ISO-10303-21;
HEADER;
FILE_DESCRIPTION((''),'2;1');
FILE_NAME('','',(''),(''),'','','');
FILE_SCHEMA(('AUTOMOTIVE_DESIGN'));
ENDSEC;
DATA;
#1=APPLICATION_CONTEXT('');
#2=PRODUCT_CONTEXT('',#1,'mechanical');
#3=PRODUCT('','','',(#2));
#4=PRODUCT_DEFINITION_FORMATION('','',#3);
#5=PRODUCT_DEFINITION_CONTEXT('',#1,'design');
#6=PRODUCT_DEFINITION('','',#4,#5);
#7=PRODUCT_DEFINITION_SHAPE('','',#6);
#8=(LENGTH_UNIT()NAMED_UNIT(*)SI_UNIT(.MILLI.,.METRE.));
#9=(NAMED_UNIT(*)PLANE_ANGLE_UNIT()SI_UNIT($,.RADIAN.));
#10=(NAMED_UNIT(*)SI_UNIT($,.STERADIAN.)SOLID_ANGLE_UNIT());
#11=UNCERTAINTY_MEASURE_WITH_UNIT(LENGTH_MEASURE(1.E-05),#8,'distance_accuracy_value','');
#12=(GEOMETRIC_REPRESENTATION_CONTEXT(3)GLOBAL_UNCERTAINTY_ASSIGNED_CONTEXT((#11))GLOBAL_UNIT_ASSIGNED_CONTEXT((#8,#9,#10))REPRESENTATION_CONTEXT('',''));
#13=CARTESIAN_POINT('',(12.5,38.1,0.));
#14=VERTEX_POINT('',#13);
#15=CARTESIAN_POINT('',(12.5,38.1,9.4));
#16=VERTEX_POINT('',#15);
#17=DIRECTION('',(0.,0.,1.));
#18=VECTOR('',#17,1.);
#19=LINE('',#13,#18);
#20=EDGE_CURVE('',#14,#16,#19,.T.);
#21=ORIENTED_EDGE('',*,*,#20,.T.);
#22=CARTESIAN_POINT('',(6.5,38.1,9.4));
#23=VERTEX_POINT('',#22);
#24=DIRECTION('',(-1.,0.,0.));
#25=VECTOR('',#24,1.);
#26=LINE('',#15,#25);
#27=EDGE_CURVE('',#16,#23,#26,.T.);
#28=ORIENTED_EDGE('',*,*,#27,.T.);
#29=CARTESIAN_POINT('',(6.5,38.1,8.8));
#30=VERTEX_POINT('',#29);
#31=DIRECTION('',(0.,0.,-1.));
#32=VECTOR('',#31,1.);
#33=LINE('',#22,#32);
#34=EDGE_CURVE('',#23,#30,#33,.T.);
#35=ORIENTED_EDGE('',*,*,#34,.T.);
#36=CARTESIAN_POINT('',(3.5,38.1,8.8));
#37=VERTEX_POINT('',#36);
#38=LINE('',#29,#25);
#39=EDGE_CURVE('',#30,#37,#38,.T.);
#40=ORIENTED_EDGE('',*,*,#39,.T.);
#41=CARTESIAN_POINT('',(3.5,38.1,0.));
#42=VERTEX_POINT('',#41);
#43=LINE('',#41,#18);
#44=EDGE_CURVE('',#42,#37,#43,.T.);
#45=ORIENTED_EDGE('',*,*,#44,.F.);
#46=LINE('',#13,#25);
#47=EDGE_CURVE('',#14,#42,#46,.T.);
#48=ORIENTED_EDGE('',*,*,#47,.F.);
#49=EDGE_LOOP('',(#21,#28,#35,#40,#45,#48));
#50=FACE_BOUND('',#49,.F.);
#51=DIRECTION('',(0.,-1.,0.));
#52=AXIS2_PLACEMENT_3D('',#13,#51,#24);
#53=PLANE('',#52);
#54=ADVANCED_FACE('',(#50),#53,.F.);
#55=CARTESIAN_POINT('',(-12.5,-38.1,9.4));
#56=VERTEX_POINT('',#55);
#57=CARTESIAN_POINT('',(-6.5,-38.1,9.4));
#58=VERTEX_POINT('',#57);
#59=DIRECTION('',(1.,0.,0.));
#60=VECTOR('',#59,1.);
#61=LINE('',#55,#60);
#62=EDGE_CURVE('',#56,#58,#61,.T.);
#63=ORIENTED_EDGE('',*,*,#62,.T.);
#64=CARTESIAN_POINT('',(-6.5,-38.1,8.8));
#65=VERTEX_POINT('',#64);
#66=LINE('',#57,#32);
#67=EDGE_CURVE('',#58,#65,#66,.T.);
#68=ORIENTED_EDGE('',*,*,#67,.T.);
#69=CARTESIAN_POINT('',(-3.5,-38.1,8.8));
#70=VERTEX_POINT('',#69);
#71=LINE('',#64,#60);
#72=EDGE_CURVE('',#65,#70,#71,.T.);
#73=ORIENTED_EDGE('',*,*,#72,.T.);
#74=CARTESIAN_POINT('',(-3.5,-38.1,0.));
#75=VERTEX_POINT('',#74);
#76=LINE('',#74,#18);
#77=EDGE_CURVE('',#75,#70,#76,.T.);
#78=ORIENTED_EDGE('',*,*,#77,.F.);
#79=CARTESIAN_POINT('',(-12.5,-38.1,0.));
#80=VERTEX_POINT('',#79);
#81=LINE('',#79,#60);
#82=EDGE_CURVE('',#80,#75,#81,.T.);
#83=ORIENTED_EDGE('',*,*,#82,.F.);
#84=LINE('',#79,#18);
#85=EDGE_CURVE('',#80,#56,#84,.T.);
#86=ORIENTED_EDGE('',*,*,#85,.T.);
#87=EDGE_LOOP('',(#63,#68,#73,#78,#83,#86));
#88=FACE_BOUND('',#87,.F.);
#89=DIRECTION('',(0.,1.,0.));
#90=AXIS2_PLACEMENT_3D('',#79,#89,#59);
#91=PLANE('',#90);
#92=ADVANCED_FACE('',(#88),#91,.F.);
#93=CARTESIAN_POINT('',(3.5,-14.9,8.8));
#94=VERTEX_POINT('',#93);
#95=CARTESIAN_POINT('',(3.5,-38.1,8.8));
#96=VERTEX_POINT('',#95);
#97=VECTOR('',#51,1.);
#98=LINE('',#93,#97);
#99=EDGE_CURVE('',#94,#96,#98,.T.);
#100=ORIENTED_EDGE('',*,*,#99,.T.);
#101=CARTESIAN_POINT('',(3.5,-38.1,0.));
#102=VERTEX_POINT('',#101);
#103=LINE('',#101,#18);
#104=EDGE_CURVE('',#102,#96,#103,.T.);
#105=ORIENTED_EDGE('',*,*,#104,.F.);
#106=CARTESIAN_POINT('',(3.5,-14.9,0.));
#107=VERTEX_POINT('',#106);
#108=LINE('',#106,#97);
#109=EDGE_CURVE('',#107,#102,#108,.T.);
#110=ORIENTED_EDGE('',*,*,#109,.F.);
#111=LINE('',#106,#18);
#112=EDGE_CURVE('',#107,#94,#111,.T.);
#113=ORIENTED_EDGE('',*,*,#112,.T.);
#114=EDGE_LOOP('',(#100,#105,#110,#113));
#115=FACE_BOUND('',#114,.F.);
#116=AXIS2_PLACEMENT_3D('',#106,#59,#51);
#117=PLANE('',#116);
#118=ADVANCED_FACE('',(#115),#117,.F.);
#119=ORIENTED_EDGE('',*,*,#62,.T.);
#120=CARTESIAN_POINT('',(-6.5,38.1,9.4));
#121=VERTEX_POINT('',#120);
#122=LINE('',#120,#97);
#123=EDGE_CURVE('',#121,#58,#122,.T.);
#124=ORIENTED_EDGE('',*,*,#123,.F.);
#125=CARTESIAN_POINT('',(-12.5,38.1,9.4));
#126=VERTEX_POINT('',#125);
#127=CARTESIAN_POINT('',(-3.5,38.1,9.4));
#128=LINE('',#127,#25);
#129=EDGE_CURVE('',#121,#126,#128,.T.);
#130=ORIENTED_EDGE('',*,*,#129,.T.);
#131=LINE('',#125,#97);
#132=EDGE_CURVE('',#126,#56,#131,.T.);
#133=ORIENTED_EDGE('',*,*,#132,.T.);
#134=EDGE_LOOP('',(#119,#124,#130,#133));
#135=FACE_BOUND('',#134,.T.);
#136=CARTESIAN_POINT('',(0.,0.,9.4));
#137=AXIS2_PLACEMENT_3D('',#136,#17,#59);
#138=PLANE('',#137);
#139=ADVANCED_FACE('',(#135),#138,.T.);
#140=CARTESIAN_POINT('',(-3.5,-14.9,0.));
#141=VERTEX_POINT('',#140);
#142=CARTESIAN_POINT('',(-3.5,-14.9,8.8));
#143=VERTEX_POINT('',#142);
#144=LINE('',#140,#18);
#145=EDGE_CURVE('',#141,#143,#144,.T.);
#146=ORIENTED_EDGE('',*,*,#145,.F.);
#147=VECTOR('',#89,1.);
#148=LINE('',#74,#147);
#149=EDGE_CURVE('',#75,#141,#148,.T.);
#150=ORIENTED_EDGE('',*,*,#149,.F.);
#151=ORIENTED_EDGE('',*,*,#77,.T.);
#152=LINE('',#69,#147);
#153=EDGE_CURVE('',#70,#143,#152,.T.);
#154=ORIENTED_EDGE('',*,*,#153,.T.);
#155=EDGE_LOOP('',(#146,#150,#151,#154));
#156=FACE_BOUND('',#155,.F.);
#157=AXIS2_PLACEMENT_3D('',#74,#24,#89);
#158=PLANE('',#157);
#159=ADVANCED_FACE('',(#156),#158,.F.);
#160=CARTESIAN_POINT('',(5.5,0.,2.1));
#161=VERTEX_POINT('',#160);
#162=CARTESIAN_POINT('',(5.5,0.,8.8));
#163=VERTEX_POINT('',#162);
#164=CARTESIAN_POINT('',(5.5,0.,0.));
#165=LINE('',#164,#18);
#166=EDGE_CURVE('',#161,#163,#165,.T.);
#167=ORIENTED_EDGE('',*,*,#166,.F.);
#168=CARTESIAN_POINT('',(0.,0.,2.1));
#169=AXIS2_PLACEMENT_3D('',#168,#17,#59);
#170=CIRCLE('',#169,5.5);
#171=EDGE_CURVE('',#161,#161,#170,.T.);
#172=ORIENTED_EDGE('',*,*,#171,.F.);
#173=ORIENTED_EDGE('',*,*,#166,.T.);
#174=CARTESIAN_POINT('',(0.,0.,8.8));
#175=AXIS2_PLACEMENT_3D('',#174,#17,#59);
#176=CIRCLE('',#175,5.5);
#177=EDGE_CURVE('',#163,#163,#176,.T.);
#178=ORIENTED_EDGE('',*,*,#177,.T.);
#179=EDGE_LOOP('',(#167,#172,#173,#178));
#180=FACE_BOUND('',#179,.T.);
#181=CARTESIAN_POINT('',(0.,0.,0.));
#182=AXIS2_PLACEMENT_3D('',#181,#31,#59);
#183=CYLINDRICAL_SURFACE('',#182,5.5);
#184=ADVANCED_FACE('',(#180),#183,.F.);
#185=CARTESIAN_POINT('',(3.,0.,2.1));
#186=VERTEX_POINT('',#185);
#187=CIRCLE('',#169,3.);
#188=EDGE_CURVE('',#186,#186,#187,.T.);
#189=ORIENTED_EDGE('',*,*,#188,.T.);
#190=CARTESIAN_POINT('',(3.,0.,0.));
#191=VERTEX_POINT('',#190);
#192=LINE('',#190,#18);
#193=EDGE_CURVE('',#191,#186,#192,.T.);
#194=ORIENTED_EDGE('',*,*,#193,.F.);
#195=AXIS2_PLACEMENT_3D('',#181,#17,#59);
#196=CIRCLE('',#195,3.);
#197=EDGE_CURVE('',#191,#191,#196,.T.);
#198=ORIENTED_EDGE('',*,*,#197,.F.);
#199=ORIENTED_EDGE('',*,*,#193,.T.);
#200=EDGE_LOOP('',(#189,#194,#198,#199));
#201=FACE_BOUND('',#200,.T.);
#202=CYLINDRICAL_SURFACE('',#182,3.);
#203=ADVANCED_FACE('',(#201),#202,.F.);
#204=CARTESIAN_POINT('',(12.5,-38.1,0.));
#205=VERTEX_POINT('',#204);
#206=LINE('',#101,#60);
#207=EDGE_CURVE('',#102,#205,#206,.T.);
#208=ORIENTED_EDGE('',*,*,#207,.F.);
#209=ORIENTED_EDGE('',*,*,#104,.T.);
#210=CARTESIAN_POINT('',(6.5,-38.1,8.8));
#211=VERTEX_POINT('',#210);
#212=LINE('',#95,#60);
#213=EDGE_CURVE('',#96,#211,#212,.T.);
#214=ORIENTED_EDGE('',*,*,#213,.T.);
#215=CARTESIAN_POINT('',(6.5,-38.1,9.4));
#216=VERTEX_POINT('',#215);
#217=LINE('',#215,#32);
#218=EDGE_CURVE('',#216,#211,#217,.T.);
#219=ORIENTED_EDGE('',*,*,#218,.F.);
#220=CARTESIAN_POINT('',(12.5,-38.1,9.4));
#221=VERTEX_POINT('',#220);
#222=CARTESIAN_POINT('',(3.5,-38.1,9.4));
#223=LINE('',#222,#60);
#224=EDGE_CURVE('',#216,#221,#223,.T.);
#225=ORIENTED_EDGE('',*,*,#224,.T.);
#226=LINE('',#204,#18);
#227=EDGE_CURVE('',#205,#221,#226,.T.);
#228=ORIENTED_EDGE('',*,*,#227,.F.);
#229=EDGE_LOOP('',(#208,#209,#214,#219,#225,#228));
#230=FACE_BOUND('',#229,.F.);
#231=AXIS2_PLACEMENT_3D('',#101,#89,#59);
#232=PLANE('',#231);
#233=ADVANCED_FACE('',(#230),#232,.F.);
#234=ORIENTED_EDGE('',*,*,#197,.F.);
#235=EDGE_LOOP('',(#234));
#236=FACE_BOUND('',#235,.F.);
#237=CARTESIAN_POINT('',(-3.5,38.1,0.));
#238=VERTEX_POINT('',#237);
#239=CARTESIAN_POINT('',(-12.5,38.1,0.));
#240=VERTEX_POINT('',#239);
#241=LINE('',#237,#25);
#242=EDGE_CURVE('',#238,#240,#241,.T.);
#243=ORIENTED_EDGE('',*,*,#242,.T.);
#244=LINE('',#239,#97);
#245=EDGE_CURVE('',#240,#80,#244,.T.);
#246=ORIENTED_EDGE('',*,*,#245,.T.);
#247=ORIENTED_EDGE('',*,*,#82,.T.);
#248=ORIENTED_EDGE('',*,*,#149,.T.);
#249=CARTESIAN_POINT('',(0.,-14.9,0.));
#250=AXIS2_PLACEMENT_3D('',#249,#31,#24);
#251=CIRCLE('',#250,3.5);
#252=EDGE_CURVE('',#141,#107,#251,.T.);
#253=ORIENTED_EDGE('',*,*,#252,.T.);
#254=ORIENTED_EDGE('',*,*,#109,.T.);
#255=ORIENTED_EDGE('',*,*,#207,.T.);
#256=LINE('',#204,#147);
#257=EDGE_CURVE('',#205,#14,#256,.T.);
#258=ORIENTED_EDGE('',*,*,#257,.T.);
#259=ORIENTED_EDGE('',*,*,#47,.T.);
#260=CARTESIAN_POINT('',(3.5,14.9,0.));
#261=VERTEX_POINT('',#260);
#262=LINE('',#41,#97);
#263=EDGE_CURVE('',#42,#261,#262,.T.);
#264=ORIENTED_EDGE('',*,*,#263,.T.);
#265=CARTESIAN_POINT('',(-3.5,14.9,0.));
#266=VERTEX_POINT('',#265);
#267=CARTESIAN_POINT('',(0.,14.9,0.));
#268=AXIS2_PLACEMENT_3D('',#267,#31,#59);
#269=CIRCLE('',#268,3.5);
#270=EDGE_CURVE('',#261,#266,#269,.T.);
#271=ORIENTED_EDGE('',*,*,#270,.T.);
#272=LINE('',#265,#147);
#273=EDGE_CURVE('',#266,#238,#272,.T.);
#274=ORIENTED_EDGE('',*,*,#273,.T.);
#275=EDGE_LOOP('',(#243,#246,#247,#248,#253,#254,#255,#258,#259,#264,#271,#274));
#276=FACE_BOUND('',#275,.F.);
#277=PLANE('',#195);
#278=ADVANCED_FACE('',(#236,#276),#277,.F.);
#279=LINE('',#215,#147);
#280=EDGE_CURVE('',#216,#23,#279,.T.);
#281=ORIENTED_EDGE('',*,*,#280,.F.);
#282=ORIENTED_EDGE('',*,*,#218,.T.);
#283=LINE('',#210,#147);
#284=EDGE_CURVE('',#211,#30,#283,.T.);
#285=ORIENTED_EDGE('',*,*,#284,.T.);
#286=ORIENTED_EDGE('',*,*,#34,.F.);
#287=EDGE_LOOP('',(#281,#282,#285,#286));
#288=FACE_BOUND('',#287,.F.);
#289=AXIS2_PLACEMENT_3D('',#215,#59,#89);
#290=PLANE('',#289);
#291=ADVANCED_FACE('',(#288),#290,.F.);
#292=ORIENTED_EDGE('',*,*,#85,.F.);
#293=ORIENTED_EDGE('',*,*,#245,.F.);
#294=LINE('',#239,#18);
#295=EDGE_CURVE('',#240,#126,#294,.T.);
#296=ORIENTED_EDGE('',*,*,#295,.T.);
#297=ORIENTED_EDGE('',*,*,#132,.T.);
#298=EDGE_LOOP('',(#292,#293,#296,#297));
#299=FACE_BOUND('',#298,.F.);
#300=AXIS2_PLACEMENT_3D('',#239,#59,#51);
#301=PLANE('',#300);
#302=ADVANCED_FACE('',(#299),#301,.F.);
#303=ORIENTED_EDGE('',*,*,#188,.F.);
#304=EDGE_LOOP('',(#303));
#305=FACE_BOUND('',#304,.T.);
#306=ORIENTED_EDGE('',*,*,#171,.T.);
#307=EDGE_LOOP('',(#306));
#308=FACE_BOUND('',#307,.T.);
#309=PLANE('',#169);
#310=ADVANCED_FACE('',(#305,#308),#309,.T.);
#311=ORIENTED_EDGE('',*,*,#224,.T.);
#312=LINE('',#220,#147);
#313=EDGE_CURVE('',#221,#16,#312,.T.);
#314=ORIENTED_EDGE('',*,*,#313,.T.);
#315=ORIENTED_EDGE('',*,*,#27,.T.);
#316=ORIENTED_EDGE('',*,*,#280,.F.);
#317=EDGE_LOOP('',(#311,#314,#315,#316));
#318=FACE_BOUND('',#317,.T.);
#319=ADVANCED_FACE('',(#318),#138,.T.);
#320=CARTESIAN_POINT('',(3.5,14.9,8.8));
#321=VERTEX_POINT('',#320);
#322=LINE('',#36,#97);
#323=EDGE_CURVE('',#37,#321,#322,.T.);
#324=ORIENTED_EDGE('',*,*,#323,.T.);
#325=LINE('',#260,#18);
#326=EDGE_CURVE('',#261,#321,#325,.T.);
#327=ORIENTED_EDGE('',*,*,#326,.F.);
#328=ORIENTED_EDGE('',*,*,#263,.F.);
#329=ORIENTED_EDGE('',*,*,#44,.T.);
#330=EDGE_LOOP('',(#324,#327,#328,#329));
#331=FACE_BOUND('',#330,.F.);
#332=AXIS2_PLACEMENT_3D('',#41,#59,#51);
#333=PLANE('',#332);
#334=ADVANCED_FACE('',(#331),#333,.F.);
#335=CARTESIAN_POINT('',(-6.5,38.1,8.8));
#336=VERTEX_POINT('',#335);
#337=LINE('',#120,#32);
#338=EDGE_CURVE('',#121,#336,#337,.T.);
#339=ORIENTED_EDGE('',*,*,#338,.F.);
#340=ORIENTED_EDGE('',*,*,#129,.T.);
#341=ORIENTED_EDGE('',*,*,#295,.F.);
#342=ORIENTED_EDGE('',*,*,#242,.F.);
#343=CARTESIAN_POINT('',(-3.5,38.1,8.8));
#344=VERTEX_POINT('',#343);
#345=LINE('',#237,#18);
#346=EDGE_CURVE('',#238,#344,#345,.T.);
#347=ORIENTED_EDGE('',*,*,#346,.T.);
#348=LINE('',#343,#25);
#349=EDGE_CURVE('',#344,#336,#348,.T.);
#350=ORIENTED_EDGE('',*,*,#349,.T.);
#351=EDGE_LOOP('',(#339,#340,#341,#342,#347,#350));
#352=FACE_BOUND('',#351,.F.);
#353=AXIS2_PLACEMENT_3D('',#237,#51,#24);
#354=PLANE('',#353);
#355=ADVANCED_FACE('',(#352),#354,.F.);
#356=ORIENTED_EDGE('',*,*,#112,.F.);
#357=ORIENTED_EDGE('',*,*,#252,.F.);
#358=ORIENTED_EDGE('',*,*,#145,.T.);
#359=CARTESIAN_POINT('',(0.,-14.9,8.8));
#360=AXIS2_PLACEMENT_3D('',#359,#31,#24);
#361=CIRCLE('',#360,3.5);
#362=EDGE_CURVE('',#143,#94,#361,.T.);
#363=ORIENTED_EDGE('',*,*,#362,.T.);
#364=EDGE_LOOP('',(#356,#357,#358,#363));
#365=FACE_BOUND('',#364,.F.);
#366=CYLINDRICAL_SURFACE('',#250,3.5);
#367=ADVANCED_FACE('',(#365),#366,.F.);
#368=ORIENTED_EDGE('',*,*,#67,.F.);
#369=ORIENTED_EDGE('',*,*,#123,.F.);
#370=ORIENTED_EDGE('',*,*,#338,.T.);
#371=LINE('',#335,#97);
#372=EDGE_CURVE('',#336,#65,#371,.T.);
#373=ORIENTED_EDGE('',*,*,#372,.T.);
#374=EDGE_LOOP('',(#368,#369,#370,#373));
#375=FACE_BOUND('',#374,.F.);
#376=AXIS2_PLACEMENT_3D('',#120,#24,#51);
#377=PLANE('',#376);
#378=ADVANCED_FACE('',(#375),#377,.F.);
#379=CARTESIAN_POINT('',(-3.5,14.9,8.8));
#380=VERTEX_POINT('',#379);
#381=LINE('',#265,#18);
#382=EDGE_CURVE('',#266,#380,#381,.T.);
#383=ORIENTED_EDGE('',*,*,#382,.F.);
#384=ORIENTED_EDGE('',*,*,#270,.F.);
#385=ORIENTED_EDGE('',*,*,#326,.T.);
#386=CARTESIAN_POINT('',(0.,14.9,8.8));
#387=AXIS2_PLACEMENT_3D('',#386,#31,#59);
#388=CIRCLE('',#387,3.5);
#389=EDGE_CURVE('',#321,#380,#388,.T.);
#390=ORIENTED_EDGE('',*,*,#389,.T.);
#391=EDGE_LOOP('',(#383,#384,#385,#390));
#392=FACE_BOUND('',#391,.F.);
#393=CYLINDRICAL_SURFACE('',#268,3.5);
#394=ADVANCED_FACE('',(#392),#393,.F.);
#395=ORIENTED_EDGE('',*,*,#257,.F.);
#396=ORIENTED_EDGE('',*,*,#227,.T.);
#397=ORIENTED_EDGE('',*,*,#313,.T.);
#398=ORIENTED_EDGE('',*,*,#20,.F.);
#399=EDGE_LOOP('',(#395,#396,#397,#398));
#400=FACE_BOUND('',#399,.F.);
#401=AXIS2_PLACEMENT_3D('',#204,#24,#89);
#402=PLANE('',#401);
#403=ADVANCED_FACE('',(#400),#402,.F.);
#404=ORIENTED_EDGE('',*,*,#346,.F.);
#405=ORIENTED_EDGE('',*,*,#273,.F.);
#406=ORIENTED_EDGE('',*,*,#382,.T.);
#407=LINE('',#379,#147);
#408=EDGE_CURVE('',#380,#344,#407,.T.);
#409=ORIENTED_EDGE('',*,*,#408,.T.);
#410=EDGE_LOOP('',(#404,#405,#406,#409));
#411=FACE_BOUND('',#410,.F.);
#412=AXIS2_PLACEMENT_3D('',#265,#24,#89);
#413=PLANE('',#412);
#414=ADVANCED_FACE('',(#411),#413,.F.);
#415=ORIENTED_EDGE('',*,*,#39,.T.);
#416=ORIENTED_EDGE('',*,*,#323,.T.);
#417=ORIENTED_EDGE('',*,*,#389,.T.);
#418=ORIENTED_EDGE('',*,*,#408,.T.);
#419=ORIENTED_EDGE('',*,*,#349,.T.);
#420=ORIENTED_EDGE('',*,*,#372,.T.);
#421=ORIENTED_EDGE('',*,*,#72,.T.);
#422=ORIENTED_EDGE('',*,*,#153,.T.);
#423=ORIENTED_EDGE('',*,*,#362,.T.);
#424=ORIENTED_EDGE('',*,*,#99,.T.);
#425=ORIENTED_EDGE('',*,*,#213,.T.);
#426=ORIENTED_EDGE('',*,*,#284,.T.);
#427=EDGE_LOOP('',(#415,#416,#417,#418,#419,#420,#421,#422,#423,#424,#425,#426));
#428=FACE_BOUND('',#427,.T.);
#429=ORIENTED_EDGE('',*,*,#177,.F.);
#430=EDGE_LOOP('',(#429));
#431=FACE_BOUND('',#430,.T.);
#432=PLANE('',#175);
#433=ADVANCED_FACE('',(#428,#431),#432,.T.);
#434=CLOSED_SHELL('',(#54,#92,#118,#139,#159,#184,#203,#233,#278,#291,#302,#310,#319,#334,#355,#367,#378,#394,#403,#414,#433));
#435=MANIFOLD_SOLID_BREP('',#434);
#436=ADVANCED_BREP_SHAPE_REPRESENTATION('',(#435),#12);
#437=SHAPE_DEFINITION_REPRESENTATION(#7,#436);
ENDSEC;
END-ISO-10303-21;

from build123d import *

# Parameters (mm, degrees)
F0_R     = 5.5
F1_DEPTH = 9.4
F0_R_2   = 3
F2_DEPTH = 2.1
F3_R     = 5.5
F4_DEPTH = 0.6


with BuildPart() as f1:
    # F0 (on Top) → F1 (new body)
    with BuildSketch(Plane.XY):
        with BuildLine():
            Line((3.5, -38.1), (12.5, -38.1))
            Line((12.5, -38.1), (12.5, 38.1))
            Line((12.5, 38.1), (3.5, 38.1))
            Line((3.5, 38.1), (3.5, 14.9))
            ThreePointArc((3.5, 14.9), (0, 11.4), (-3.5, 14.9))
            Line((-3.5, 14.9), (-3.5, 38.1))
            Line((-3.5, 38.1), (-12.5, 38.1))
            Line((-12.5, 38.1), (-12.5, -38.1))
            Line((-12.5, -38.1), (-3.5, -38.1))
            Line((-3.5, -38.1), (-3.5, -14.9))
            ThreePointArc((-3.5, -14.9), (0, -11.4), (3.5, -14.9))
            Line((3.5, -14.9), (3.5, -38.1))
        make_face()
        Circle(F0_R, mode=Mode.SUBTRACT)
    extrude(amount=F1_DEPTH)

    # F0 (on Top) → F2 (join)
    with BuildSketch(Plane.XY):
        Circle(F0_R)
        Circle(F0_R_2, mode=Mode.SUBTRACT)
    extrude(amount=F2_DEPTH)

    # F3 (on face) → F4 (cut)
    with BuildSketch(Plane.XY.offset(9.4)):
        with BuildLine():
            Line((6.5, -38.1), (6.5, 38.1))
            Line((6.5, 38.1), (3.5, 38.1))
            Line((3.5, 38.1), (3.5, 14.9))
            ThreePointArc((3.5, 14.9), (0, 11.4), (-3.5, 14.9))
            Line((-3.5, 14.9), (-3.5, 38.1))
            Line((-3.5, 38.1), (-6.5, 38.1))
            Line((-6.5, 38.1), (-6.5, -38.1))
            Line((-6.5, -38.1), (-3.5, -38.1))
            Line((-3.5, -38.1), (-3.5, -14.9))
            ThreePointArc((-3.5, -14.9), (0, -11.4), (3.5, -14.9))
            Line((3.5, -14.9), (3.5, -38.1))
            Line((3.5, -38.1), (6.5, -38.1))
        make_face()
        Circle(F3_R, mode=Mode.SUBTRACT)
    extrude(amount=-F4_DEPTH, mode=Mode.SUBTRACT)


solid = f1.part
